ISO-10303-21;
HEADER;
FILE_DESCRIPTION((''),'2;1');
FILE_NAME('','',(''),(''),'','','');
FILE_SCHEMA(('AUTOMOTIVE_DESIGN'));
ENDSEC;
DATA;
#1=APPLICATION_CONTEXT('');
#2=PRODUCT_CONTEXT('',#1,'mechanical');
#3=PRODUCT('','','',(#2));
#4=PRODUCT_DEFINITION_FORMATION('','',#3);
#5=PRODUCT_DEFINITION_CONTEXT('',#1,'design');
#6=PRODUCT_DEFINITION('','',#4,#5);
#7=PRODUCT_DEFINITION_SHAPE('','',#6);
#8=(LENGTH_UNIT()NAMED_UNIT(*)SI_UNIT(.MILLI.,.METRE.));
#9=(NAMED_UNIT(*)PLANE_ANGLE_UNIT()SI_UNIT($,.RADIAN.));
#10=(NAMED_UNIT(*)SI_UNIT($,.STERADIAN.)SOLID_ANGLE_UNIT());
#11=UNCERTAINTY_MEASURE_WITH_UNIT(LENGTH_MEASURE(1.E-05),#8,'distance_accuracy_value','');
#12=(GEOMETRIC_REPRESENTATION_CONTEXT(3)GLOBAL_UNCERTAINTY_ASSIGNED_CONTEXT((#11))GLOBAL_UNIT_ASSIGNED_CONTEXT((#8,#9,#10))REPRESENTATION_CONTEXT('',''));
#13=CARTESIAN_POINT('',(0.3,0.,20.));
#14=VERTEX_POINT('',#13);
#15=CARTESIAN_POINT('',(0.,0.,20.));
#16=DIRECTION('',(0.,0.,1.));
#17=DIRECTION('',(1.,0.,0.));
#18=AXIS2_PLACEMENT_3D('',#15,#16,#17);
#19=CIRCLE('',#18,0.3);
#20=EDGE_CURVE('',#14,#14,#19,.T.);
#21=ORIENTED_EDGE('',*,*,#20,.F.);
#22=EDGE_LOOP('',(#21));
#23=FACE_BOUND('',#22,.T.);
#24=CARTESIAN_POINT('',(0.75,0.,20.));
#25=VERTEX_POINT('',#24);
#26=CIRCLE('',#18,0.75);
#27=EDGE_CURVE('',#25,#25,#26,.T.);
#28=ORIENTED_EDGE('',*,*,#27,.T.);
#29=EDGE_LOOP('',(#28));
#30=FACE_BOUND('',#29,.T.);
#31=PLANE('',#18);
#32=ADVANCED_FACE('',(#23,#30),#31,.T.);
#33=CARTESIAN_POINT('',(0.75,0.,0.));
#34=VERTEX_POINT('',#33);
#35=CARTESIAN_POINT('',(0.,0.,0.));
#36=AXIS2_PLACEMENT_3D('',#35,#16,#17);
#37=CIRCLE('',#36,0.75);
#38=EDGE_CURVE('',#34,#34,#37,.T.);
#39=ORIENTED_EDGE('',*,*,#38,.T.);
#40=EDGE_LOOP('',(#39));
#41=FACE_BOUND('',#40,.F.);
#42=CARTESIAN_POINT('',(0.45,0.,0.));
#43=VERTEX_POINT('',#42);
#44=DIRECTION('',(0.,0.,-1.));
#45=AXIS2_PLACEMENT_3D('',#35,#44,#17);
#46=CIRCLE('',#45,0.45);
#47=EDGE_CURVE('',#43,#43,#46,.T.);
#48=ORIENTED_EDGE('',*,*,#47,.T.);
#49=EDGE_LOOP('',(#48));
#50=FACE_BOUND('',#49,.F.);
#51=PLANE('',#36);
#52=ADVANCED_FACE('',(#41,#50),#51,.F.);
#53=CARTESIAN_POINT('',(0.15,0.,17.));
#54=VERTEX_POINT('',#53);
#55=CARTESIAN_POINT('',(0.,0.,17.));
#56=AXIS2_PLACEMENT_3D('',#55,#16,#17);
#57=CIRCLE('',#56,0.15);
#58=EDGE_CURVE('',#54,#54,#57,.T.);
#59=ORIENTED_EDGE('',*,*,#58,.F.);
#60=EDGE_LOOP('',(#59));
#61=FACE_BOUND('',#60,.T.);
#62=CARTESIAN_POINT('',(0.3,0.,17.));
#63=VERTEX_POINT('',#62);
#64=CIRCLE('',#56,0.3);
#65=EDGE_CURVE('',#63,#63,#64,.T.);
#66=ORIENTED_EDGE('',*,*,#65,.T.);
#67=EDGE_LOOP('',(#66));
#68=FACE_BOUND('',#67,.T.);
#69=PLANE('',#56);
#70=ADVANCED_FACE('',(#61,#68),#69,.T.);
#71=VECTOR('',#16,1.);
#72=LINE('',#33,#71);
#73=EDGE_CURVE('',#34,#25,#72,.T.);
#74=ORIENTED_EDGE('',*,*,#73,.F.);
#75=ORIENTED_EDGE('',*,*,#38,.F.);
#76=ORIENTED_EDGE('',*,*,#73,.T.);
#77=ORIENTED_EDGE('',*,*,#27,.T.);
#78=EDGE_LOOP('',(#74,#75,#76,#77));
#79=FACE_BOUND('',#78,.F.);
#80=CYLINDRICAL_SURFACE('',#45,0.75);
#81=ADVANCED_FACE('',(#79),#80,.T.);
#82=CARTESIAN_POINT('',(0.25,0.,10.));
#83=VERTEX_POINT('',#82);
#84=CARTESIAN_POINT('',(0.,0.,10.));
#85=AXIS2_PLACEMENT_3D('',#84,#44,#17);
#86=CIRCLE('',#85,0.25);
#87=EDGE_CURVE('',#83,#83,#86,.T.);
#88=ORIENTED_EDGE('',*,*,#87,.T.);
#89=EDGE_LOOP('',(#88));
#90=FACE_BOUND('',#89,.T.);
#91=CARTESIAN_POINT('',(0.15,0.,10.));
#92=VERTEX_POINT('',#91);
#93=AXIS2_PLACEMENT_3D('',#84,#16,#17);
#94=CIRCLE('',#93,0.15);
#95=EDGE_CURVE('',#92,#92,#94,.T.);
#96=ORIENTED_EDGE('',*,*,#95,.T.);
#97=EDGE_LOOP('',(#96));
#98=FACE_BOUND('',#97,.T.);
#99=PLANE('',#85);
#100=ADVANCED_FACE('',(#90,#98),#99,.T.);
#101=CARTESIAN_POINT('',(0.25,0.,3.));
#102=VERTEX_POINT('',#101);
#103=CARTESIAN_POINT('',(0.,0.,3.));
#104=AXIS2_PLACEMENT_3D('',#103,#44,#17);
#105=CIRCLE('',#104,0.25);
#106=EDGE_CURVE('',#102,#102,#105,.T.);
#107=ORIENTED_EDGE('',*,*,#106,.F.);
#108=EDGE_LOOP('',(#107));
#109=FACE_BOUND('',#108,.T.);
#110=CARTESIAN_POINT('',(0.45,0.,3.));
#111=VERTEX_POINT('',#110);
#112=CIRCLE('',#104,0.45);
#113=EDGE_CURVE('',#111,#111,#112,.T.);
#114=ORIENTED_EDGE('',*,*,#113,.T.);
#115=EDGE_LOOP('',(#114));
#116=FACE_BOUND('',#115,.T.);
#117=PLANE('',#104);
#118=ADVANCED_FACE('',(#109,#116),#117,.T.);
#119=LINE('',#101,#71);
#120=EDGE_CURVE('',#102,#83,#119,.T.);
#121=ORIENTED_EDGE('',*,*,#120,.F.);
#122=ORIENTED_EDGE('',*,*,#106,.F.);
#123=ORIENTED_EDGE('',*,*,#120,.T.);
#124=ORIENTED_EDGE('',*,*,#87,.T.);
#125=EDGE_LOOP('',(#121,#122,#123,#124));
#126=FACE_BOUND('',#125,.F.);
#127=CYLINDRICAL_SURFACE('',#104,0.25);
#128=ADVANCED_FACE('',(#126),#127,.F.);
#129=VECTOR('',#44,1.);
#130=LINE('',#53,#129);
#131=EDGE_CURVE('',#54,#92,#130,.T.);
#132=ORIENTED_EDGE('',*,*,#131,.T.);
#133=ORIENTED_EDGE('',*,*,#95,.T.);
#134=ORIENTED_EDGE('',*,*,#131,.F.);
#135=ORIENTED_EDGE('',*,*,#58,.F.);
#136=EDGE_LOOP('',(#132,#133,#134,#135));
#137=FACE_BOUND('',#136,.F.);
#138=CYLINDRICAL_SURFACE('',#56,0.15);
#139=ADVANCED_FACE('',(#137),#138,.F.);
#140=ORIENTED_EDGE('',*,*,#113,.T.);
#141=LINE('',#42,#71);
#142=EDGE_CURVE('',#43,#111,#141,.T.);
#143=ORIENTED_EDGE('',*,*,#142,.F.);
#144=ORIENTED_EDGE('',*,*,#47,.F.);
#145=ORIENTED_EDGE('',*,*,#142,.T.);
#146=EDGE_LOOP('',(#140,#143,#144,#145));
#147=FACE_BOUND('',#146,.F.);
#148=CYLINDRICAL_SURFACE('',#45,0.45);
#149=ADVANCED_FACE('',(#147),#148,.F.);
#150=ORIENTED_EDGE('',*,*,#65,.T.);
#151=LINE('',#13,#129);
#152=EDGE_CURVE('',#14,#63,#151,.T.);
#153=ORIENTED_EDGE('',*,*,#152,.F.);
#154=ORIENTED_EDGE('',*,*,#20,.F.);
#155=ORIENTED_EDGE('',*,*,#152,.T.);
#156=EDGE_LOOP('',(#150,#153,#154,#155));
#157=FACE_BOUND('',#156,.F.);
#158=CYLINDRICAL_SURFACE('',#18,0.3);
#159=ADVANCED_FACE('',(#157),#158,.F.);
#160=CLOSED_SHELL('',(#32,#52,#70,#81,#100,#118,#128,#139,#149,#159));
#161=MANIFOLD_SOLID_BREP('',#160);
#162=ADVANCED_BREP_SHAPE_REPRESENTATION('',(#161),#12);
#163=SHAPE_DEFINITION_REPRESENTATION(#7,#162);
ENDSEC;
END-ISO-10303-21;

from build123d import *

# Parameters (mm, degrees)
F0_R     = 0.75
F1_DEPTH = 20
F2_R     = 0.3
F3_DEPTH = 3
F4_R     = 0.15
F5_DEPTH = 7
F6_R     = 0.45
F7_DEPTH = 3
F8_R     = 0.25
F9_DEPTH = 7


with BuildPart() as f1:
    # F0 (on Top) → F1 (new body)
    with BuildSketch(Plane.XY):
        Circle(F0_R)
    extrude(amount=F1_DEPTH)

    # F2 (on face) → F3 (cut)
    with BuildSketch(Plane.XY.offset(20)):
        Circle(F2_R)
    extrude(amount=-F3_DEPTH, mode=Mode.SUBTRACT)

    # F4 (on face) → F5 (cut)
    with BuildSketch(Plane.XY.offset(17)):
        Circle(F4_R)
    extrude(amount=-F5_DEPTH, mode=Mode.SUBTRACT)

    # F6 (on face) → F7 (cut)
    with BuildSketch(Plane(origin=(0, 0, 0), x_dir=(1, 0, 0), z_dir=(0, 0, -1))):
        Circle(F6_R)
    extrude(amount=-F7_DEPTH, mode=Mode.SUBTRACT)

    # F8 (on face) → F9 (cut)
    with BuildSketch(Plane(origin=(0, 0, 3), x_dir=(1, 0, 0), z_dir=(0, 0, -1))):
        Circle(F8_R)
    extrude(amount=-F9_DEPTH, mode=Mode.SUBTRACT)


solid = f1.part
